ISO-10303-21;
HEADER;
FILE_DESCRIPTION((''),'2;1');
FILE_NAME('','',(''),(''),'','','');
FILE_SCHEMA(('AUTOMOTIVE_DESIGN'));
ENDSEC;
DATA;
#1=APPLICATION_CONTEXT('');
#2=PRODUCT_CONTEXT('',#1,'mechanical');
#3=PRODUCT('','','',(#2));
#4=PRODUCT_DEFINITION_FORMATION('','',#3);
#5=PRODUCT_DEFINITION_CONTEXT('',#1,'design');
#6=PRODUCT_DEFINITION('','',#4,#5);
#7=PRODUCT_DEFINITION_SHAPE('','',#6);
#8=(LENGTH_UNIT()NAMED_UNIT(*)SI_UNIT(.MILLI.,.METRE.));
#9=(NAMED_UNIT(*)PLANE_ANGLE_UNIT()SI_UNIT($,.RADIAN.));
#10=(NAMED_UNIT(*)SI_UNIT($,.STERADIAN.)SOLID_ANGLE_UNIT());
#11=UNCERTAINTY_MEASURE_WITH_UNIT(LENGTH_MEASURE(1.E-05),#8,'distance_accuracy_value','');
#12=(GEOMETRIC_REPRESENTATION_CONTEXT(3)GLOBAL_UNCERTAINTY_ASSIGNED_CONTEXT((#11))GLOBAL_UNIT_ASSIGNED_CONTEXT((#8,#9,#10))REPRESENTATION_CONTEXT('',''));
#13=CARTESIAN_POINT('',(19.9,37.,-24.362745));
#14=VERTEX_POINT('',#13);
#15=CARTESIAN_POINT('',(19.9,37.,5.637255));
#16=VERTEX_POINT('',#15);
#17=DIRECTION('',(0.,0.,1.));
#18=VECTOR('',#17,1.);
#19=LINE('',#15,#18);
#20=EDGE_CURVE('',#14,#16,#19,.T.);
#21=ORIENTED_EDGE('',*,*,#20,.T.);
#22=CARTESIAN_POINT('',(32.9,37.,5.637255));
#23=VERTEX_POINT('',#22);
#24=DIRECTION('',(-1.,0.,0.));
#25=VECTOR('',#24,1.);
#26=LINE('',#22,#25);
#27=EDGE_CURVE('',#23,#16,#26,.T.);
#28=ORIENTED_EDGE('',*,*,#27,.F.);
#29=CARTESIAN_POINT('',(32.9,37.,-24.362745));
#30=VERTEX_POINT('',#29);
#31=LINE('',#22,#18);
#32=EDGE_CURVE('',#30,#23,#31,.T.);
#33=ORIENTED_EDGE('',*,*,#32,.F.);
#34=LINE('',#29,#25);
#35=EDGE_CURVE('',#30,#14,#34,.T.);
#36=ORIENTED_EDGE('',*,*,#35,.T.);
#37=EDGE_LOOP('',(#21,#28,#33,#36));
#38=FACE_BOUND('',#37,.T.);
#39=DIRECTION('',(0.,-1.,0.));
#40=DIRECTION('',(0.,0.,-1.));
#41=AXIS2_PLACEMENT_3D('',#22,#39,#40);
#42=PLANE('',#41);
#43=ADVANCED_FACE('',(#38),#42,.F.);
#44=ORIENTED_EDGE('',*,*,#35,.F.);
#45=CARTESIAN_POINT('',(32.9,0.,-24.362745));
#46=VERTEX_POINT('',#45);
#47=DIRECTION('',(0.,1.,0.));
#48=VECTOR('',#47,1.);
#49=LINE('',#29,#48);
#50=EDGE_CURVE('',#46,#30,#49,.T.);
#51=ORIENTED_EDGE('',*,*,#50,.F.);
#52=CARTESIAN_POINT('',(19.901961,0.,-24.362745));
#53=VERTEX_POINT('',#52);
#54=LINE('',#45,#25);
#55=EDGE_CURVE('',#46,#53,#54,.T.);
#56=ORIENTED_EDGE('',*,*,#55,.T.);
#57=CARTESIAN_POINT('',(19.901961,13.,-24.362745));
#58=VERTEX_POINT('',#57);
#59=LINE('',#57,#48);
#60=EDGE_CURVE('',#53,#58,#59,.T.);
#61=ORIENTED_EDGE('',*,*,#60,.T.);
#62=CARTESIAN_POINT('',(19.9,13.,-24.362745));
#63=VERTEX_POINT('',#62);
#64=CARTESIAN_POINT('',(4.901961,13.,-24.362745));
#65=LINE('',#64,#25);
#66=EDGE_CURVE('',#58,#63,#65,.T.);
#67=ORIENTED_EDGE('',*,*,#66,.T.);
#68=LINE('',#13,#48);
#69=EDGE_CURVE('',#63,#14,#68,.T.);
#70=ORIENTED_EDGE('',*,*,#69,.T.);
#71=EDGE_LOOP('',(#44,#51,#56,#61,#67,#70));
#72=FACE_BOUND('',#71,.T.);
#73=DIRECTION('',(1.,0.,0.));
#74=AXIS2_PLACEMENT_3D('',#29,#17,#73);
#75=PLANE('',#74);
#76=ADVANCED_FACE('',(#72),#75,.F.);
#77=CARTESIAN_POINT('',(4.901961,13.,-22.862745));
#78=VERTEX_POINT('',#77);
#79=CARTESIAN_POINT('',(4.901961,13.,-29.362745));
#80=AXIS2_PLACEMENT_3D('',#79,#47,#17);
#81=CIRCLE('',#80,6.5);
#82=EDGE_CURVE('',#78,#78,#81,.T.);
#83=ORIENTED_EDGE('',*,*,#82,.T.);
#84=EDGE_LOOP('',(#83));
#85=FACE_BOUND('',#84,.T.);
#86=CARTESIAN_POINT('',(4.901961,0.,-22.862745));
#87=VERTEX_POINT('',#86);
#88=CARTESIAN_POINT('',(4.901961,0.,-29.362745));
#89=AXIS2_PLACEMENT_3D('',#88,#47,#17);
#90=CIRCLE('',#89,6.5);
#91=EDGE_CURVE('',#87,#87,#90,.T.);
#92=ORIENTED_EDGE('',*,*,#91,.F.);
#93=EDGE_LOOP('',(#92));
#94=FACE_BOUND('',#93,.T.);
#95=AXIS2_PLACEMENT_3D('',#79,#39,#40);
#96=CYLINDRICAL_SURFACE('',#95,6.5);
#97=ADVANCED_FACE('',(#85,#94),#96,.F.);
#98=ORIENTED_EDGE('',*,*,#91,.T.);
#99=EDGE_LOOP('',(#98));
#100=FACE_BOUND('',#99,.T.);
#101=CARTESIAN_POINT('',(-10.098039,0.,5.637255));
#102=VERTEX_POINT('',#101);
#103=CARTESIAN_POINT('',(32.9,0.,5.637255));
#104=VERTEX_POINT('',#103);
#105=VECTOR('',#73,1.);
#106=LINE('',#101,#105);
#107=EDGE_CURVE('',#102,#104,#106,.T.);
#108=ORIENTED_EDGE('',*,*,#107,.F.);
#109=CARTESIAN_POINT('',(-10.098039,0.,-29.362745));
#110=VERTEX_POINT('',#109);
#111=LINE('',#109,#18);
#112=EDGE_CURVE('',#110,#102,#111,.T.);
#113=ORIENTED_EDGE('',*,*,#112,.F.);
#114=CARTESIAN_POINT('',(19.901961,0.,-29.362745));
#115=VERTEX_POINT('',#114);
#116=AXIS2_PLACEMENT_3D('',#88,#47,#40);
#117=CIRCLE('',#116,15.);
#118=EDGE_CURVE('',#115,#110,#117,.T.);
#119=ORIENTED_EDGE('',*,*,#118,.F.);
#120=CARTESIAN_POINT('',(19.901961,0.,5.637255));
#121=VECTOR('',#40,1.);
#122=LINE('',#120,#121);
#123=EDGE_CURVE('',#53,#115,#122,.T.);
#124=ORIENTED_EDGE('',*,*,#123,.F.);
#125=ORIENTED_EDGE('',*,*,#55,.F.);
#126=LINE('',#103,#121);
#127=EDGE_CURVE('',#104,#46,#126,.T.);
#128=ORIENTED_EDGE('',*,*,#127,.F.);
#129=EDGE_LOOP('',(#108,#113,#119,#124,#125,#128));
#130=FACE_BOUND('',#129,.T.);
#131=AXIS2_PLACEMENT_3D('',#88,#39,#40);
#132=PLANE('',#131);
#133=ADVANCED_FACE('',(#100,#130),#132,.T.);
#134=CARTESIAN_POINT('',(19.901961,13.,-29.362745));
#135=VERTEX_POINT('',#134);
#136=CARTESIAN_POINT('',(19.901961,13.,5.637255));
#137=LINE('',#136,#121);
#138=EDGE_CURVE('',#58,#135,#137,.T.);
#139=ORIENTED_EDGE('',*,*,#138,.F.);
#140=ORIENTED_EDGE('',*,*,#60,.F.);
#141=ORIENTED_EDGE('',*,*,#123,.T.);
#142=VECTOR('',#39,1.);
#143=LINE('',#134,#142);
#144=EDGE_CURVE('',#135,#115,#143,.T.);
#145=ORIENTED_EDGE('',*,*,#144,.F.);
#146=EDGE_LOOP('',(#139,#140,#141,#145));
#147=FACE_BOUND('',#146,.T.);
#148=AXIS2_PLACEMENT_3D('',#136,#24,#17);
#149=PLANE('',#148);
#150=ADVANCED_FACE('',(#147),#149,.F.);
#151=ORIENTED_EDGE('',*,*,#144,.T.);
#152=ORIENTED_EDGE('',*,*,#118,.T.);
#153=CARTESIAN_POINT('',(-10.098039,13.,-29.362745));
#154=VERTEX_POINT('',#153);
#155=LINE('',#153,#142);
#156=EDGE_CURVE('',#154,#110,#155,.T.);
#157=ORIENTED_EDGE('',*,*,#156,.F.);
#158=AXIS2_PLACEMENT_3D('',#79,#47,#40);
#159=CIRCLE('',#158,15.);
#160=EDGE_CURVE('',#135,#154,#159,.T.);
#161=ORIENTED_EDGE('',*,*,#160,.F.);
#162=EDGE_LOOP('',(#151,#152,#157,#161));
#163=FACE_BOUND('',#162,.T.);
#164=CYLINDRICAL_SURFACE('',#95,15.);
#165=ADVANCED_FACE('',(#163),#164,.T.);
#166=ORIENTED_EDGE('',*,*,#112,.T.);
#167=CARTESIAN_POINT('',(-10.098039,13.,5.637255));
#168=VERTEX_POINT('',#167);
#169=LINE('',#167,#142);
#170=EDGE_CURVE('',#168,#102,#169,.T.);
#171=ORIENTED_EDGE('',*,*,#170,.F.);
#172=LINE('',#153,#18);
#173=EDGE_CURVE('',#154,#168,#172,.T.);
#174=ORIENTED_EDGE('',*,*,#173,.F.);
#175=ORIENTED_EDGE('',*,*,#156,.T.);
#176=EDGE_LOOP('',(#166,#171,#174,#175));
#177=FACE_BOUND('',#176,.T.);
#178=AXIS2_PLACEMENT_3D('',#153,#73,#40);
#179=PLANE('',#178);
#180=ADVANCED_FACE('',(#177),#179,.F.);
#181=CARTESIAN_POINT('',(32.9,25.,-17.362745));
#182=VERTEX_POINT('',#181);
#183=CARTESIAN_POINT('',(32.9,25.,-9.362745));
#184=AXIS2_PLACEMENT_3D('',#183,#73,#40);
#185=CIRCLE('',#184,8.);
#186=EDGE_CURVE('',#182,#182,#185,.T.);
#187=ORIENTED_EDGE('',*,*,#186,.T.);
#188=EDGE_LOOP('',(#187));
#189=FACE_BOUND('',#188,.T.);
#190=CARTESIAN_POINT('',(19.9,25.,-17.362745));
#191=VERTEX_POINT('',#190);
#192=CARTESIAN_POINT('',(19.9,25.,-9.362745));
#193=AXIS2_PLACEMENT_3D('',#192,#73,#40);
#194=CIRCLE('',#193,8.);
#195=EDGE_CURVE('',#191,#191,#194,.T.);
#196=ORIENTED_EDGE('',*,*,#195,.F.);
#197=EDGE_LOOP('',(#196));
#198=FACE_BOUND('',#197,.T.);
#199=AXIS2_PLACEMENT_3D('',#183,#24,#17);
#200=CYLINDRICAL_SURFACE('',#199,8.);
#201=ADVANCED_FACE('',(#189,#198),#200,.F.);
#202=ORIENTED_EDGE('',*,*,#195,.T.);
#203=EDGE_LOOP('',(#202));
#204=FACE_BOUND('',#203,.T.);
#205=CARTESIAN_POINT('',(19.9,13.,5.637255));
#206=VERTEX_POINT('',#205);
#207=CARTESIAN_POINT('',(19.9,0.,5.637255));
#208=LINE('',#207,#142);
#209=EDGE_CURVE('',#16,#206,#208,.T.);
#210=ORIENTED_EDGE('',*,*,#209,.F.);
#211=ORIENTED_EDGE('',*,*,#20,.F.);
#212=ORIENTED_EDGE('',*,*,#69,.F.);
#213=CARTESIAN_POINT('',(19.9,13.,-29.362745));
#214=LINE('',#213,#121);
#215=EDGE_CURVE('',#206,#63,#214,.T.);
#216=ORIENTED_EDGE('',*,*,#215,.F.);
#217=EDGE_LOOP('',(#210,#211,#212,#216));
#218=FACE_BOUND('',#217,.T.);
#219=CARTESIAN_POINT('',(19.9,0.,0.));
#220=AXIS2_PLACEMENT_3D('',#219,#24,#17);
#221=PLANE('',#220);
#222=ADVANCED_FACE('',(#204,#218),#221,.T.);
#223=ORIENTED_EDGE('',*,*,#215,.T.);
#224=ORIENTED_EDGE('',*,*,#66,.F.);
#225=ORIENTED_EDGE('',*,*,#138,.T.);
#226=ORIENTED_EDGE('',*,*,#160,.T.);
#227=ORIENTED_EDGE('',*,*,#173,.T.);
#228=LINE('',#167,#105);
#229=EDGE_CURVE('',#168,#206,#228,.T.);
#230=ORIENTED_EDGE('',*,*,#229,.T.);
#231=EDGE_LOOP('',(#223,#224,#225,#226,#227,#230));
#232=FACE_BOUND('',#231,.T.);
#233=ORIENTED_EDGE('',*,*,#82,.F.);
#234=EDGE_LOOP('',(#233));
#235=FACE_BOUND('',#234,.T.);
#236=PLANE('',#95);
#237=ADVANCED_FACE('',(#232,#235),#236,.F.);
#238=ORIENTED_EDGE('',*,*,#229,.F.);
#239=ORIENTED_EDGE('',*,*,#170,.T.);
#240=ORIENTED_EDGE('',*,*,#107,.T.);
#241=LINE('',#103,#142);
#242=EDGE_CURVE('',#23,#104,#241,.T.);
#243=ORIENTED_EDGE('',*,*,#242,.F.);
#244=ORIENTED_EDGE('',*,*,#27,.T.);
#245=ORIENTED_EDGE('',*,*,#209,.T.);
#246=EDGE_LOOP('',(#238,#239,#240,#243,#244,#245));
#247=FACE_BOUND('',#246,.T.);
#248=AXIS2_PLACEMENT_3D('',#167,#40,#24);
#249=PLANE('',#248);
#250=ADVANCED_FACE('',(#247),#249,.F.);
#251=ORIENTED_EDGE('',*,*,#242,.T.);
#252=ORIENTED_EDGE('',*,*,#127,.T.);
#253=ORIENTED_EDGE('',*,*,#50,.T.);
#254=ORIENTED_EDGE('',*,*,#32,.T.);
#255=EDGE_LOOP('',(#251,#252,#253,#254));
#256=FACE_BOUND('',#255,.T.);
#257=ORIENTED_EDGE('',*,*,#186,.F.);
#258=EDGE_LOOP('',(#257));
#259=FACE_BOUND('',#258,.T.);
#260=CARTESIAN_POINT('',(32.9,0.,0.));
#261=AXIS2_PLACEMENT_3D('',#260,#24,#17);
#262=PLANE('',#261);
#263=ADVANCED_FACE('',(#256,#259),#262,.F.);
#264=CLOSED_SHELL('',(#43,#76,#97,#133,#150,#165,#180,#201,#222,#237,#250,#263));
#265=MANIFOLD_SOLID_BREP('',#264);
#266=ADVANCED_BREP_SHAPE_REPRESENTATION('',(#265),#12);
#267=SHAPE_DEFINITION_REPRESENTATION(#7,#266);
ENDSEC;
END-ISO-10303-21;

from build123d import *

# Parameters (mm, degrees)
SKETCH1_R           = 6.5
BOSS_EXTRUDE1_DEPTH = 13
BOSS_EXTRUDE2_START = 19.9
SKETCH2_W           = 30
SKETCH2_H           = 37
SKETCH2_R           = 8
BOSS_EXTRUDE2_DEPTH = 13


with BuildPart() as part:
    # Sketch1 → Boss-Extrude1 (new body)
    with BuildSketch(Plane(origin=(0, 0, 0), x_dir=(1, 0, 0), z_dir=(0, 1, 0))):
        with BuildLine():
            Line((-10.098039216, -5.637254902), (19.901960784, -5.637254902))
            Line((19.901960784, -5.637254902), (19.901960784, 29.362745098))
            ThreePointArc((19.901960784, 29.362745098), (4.901960784, 44.362745098), (-10.098039216, 29.362745098))
            Line((-10.098039216, 29.362745098), (-10.098039216, -5.637254902))
        make_face()
        with Locations((4.901960784, 29.362745098)):
            Circle(SKETCH1_R, mode=Mode.SUBTRACT)
    extrude(amount=BOSS_EXTRUDE1_DEPTH)

    # Sketch2 → Boss-Extrude2 (add)
    with BuildSketch(Plane(origin=(0, 0, 0), x_dir=(0, 0, -1), z_dir=(1, 0, 0)).offset(BOSS_EXTRUDE2_START)):
        with Locations((9.362745098, 18.5)):
            Rectangle(SKETCH2_W, SKETCH2_H)
        with Locations((9.362745098, 25)):
            Circle(SKETCH2_R, mode=Mode.SUBTRACT)
    extrude(amount=BOSS_EXTRUDE2_DEPTH)


solid = part.part
